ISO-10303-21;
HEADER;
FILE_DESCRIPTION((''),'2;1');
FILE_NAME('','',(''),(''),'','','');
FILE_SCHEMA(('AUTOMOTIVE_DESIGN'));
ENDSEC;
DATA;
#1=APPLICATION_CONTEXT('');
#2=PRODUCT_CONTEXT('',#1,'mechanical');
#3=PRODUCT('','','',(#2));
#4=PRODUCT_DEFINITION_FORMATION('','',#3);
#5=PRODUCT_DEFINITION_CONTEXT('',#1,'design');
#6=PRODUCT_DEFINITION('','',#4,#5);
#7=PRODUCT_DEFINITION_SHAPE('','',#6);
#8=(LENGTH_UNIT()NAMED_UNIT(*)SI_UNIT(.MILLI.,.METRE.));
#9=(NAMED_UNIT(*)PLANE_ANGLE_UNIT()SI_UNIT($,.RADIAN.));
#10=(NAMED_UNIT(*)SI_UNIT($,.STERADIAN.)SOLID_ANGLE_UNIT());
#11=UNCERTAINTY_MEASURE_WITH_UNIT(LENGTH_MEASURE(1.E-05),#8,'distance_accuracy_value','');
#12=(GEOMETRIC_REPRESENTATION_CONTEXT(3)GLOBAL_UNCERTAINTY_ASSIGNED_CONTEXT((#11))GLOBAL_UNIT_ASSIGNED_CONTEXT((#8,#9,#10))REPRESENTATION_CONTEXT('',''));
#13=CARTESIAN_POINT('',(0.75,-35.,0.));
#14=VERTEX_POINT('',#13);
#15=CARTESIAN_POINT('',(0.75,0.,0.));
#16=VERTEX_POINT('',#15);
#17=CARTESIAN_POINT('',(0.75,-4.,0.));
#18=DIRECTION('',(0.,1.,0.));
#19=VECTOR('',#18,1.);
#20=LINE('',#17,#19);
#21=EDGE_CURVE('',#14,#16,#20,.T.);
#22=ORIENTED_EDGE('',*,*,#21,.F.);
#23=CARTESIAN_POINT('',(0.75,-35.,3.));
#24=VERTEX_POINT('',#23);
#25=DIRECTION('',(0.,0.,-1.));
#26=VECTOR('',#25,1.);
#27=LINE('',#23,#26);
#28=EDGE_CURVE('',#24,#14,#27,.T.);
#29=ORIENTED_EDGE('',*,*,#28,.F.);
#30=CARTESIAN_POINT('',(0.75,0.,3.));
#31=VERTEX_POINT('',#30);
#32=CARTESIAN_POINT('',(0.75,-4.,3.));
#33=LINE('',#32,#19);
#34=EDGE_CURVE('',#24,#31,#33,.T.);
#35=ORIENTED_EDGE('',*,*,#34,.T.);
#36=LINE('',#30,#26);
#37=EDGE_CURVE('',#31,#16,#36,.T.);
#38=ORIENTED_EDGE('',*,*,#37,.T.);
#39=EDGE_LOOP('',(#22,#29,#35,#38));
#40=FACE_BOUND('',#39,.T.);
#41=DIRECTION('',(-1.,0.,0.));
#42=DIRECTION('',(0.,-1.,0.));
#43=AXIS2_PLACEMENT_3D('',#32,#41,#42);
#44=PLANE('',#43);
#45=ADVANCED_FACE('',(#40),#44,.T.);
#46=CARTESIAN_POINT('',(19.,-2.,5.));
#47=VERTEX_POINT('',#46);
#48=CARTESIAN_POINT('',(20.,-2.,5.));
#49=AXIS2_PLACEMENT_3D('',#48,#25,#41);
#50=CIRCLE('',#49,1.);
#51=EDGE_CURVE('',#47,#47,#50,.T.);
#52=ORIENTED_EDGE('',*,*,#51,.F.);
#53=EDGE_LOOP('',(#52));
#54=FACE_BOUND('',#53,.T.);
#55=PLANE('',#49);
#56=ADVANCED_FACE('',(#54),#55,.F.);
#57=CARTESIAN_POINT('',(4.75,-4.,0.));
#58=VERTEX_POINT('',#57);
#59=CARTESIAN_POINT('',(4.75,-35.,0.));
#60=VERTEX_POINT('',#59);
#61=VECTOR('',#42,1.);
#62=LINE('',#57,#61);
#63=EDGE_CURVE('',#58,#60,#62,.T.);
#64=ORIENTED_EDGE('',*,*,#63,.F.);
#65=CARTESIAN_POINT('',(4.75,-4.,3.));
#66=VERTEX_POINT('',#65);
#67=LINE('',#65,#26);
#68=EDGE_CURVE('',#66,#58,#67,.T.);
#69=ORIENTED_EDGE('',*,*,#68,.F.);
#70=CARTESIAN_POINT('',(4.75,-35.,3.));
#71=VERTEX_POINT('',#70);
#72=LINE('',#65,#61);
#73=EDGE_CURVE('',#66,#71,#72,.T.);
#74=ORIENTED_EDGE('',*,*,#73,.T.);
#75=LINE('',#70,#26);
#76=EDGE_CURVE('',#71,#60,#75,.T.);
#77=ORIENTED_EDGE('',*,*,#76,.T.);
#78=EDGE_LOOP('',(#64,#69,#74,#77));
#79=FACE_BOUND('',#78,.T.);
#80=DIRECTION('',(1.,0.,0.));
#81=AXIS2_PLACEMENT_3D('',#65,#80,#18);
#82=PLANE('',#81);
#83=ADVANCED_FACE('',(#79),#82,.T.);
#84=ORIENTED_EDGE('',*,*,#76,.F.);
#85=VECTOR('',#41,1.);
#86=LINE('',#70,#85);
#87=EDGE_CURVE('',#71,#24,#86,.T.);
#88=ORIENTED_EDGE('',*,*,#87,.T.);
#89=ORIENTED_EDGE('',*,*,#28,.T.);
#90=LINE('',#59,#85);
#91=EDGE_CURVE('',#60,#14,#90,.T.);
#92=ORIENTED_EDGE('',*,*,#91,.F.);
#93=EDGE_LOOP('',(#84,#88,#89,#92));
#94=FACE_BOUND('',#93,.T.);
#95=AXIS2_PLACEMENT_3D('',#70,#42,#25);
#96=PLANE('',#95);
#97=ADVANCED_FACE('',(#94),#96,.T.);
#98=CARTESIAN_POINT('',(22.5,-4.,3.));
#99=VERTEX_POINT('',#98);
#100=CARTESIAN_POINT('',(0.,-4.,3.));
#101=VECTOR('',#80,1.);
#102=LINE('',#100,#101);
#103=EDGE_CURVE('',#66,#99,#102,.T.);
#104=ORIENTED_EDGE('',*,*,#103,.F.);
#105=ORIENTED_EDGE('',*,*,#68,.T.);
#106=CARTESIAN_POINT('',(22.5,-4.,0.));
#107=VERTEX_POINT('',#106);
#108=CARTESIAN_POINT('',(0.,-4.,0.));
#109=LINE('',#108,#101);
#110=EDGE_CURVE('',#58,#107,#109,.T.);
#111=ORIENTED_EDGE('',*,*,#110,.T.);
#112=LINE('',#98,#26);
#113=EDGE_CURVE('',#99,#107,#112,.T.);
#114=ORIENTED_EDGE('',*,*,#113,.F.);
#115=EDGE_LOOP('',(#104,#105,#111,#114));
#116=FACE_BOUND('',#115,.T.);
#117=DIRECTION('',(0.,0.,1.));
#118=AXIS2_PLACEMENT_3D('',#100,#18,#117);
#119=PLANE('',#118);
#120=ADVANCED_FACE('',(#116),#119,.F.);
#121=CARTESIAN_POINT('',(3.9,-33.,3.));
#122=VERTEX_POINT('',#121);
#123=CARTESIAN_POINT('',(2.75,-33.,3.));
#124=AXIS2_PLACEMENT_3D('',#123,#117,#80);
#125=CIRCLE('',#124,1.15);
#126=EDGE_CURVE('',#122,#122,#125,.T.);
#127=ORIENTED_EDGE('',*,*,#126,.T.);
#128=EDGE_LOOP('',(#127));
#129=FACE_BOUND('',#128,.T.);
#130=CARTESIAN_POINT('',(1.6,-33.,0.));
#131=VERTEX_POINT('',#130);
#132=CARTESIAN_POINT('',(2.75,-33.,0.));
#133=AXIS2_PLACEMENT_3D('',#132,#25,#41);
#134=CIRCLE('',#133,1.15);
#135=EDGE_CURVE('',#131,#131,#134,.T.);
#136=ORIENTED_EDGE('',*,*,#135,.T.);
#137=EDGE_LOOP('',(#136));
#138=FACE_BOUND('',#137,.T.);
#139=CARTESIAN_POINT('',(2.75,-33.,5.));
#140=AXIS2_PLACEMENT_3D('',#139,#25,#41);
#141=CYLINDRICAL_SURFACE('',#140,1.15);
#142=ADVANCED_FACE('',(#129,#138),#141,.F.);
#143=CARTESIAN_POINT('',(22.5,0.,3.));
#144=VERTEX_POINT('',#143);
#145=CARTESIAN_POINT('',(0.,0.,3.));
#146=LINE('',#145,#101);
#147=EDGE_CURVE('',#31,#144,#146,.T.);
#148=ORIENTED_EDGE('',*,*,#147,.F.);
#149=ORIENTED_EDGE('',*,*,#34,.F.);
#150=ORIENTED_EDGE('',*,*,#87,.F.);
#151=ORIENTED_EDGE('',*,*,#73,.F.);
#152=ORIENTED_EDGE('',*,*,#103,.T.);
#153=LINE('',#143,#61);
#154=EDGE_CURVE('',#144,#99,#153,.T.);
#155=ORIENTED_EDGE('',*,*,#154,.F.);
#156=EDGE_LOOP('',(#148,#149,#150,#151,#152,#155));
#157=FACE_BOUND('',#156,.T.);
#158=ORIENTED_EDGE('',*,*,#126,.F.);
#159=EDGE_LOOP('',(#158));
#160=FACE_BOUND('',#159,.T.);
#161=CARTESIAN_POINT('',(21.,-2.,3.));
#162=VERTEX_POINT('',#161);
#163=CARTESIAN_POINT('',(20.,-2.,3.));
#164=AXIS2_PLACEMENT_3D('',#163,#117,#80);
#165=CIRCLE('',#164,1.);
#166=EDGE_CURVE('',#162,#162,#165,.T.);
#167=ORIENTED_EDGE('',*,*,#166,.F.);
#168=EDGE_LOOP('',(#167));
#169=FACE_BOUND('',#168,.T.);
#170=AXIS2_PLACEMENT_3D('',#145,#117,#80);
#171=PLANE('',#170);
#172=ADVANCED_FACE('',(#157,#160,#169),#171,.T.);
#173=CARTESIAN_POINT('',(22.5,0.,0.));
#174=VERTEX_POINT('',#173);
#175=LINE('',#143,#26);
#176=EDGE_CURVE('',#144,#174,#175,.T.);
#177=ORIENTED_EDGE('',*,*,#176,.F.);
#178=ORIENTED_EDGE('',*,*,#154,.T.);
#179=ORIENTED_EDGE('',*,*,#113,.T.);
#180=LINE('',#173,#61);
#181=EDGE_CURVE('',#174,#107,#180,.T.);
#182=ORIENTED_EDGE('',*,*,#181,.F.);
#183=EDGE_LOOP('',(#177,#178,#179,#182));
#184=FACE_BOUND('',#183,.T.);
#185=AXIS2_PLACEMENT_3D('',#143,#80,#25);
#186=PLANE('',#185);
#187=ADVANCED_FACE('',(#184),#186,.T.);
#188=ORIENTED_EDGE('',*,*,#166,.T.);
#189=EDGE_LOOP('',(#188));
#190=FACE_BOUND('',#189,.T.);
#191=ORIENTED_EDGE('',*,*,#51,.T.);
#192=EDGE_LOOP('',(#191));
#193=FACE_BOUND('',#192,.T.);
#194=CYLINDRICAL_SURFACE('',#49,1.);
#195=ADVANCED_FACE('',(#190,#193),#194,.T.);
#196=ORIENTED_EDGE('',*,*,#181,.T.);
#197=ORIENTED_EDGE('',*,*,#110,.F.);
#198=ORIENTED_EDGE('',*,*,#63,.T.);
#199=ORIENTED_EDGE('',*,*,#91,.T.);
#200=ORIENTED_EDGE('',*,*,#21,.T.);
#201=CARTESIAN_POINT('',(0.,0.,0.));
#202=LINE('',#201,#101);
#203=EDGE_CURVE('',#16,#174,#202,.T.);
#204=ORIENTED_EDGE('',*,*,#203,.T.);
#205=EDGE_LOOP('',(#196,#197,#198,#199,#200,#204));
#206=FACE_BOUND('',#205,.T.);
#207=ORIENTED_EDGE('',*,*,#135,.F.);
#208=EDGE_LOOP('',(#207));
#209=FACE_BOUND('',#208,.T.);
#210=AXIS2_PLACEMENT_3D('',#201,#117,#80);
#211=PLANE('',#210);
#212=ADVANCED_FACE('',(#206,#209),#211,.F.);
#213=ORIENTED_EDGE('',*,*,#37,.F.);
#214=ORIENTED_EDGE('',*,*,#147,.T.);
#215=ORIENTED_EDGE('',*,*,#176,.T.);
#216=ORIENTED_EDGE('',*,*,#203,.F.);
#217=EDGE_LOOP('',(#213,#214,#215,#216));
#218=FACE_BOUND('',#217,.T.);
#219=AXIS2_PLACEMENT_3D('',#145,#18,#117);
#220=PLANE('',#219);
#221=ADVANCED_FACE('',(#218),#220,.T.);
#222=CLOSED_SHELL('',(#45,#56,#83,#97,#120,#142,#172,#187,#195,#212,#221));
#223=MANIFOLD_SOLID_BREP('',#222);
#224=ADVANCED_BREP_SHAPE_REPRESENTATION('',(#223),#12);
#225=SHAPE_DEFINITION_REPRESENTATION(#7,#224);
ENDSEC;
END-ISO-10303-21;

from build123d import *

# Parameters (mm, degrees)
CROQUIS1_W              = 22.5
CROQUIS1_H              = 4
SALIENTE_EXTRUIR1_DEPTH = 3
CROQUIS5_W              = 4
CROQUIS5_H              = 31
CROQUIS5_R              = 1.05
SALIENTE_EXTRUIR3_DEPTH = 3
CROQUIS10_W             = 1.164205216
CROQUIS10_H             = 4.577506348
CORTAR_EXTRUIR4_DEPTH   = 42.716303767
CROQUIS3_R              = 1
SALIENTE_EXTRUIR4_DEPTH = 5
CROQUIS11_R             = 1.15
CORTAR_EXTRUIR5_DEPTH   = 42.907636536


with BuildPart() as part:
    # Croquis1 → Saliente-Extruir1 (new body)
    with BuildSketch(Plane.XY):
        with Locations((11.25, -2)):
            Rectangle(CROQUIS1_W, CROQUIS1_H)
    extrude(amount=SALIENTE_EXTRUIR1_DEPTH)

    # Croquis5 → Saliente-Extruir3 (add)
    with BuildSketch(Plane(origin=(0, 0, 0), x_dir=(-1, 0, 0), z_dir=(0, 0, -1))):
        with Locations((-2.75, -19.5)):
            Rectangle(CROQUIS5_W, CROQUIS5_H)
        with Locations((-2.75, -33)):
            Circle(CROQUIS5_R, mode=Mode.SUBTRACT)
    extrude(amount=-SALIENTE_EXTRUIR3_DEPTH)

    # Croquis10 → Cortar-Extruir4 (cut, through all)
    with BuildSketch(Plane.XY.offset(3)):
        with Locations((0.167897392, -1.711246826)):
            Rectangle(CROQUIS10_W, CROQUIS10_H)
    extrude(amount=-CORTAR_EXTRUIR4_DEPTH, mode=Mode.SUBTRACT)

    # Croquis3 → Saliente-Extruir4 (add)
    with BuildSketch(Plane(origin=(0, 0, 0), x_dir=(-1, 0, 0), z_dir=(0, 0, -1))):
        with Locations((-20, -2)):
            Circle(CROQUIS3_R)
    extrude(amount=-SALIENTE_EXTRUIR4_DEPTH)

    # Croquis11 → Cortar-Extruir5 (cut, through all)
    with BuildSketch(Plane(origin=(0, 0, 0), x_dir=(-1, 0, 0), z_dir=(0, 0, -1))):
        with Locations((-2.75, -33)):
            Circle(CROQUIS11_R)
    extrude(amount=-CORTAR_EXTRUIR5_DEPTH, mode=Mode.SUBTRACT)


solid = part.part
